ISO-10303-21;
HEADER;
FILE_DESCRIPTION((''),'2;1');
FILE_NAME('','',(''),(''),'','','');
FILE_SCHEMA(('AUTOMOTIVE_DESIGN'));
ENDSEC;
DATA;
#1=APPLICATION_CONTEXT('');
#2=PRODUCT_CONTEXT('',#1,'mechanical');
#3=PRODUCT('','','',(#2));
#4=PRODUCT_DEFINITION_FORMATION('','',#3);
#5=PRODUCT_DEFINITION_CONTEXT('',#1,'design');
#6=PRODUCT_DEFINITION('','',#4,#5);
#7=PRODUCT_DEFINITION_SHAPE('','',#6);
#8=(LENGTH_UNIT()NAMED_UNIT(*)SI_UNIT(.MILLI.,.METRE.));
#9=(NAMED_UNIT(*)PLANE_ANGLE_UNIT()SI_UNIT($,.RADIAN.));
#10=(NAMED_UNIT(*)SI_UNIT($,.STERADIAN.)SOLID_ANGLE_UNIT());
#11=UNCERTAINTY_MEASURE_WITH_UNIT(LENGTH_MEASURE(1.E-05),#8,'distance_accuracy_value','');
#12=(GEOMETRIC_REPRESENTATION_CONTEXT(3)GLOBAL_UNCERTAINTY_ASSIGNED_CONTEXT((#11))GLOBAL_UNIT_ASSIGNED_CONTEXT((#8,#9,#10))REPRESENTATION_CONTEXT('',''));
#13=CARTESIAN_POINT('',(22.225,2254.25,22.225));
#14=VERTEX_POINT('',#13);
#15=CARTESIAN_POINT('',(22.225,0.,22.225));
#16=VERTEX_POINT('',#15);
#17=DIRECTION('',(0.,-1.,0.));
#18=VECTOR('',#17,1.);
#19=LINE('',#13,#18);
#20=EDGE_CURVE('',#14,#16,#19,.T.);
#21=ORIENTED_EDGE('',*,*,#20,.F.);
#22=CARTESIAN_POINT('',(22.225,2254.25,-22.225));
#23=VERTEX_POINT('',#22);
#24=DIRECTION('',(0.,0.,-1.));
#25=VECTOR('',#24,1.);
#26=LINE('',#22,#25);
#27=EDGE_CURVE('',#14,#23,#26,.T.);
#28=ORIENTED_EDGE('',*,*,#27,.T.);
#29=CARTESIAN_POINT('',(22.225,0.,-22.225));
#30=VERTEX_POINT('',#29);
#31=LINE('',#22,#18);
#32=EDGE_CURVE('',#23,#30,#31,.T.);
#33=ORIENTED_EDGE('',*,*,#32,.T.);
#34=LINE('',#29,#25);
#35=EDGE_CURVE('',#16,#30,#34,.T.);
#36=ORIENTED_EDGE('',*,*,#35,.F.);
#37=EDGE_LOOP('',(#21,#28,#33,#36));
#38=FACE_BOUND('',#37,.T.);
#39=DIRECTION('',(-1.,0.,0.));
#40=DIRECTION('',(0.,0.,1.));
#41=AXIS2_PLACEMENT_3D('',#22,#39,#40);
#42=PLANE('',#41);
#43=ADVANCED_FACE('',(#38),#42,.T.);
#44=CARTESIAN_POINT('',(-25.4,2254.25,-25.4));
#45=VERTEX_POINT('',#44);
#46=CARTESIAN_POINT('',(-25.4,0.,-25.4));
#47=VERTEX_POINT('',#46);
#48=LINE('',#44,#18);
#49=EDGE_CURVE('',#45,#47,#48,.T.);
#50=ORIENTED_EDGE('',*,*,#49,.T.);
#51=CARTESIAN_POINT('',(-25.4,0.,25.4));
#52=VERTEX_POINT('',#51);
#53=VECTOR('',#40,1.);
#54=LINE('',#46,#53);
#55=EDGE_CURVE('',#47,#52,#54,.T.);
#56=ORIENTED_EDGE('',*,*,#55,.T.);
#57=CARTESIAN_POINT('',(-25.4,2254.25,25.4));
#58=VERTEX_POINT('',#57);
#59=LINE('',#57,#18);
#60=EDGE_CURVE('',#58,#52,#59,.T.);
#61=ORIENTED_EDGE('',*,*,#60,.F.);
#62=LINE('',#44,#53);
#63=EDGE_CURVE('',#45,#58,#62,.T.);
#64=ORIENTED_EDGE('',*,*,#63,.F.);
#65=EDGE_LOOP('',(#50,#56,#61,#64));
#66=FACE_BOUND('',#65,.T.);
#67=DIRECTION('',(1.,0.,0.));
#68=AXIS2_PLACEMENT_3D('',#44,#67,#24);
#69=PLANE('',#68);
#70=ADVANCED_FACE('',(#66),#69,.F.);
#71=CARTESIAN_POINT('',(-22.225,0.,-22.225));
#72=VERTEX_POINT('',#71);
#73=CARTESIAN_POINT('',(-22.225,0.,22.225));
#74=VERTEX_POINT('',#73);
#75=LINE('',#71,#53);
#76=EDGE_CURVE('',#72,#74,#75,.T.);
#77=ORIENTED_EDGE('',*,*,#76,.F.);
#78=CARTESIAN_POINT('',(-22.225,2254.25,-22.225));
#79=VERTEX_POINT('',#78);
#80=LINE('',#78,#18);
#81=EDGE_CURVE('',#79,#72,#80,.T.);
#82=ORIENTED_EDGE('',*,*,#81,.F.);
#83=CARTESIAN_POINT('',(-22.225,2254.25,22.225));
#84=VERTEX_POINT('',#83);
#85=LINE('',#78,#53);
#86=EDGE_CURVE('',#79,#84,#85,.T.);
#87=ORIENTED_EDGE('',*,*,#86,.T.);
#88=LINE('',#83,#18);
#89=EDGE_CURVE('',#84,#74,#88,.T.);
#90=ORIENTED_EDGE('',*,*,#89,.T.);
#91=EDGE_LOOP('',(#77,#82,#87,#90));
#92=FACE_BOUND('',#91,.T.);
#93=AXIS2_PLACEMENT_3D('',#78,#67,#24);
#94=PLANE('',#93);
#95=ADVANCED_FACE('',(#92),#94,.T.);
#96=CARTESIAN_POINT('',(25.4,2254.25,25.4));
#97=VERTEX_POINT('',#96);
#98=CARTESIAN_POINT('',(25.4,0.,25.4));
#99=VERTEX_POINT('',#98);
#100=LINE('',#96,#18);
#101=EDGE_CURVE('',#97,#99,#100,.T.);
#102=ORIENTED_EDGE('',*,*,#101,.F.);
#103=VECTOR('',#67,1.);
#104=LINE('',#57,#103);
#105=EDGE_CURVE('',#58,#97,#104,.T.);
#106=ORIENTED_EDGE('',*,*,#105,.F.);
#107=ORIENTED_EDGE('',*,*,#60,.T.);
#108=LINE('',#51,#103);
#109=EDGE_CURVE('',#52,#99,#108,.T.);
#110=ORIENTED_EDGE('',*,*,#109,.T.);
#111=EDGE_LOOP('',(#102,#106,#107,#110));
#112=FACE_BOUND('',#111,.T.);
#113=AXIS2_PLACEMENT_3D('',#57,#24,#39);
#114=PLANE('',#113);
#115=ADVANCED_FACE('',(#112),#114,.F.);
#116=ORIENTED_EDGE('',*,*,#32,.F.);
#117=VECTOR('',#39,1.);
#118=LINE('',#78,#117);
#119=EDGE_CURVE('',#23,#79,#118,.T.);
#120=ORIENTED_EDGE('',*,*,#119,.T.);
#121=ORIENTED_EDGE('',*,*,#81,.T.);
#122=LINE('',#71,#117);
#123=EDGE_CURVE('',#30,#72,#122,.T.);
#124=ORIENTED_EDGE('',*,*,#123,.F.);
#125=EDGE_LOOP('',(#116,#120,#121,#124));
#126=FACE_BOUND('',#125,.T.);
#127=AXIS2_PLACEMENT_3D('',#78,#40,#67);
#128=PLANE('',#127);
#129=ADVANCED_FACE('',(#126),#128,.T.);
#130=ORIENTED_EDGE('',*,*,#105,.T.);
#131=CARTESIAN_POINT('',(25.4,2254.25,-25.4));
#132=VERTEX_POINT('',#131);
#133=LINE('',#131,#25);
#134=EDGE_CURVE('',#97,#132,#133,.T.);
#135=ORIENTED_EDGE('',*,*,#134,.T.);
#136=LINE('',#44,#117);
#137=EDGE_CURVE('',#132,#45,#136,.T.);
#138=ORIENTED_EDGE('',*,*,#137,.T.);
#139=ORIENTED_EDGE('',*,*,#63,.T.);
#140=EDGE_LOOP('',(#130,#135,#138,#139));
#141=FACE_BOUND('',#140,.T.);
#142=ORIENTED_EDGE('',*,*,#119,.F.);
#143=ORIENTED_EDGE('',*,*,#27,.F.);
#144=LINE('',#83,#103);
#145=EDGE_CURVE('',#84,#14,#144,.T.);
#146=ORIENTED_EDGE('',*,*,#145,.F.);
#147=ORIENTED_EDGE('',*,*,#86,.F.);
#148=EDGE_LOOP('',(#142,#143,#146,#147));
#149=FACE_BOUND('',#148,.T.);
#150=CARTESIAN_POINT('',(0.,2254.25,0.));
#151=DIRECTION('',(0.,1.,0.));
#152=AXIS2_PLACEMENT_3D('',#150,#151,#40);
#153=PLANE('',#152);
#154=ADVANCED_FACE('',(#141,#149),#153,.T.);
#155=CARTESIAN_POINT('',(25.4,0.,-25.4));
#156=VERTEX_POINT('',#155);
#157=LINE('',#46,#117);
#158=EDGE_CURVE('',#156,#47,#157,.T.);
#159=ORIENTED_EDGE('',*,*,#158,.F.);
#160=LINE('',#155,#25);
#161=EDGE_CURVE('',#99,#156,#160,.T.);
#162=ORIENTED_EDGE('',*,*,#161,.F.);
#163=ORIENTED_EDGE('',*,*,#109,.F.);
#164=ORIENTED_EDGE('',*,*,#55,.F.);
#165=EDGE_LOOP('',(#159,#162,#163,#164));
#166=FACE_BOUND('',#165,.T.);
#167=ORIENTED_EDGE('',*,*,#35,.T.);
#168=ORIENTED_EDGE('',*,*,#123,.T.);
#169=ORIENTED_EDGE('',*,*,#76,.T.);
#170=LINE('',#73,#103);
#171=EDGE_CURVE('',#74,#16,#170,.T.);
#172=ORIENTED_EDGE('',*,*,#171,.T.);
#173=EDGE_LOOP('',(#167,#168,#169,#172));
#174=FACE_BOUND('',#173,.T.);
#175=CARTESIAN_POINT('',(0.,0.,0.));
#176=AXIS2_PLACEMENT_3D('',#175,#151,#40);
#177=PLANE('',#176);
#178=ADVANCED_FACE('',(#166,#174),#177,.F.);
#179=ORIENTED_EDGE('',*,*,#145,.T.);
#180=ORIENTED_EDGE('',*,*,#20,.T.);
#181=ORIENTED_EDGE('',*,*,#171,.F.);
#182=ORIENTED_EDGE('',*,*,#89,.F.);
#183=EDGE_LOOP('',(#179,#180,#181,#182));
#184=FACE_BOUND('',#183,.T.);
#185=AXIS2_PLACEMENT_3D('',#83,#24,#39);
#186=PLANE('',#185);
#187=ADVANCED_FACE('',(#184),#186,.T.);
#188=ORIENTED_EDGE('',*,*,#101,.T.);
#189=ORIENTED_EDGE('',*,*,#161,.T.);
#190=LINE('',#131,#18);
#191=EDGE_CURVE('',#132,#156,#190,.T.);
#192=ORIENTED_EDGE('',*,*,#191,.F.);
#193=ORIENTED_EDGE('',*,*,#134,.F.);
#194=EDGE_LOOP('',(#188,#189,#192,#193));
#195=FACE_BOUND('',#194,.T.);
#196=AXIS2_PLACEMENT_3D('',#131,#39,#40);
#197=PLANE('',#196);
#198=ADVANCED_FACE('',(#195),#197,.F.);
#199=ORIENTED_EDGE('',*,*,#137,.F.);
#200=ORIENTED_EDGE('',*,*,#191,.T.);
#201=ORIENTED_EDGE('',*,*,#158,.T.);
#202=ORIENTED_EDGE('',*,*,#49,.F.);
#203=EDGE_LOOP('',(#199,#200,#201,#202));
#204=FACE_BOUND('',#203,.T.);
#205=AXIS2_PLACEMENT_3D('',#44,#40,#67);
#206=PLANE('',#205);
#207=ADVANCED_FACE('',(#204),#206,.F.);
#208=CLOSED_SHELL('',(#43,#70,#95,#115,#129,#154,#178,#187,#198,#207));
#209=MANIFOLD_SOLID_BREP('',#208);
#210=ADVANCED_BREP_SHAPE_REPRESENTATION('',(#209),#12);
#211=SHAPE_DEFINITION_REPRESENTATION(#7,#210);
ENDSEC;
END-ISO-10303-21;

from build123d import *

# Parameters (mm, degrees)
SKETCH1_W           = 50.8
SKETCH1_H           = 50.8
SKETCH1_W_2         = 44.45
SKETCH1_H_2         = 44.45
BOSS_EXTRUDE1_DEPTH = 2254.25


with BuildPart() as part:
    # Sketch1 → Boss-Extrude1 (new body)
    with BuildSketch(Plane(origin=(0, 0, 0), x_dir=(1, 0, 0), z_dir=(0, 1, 0))):
        Rectangle(SKETCH1_W, SKETCH1_H)
        Rectangle(SKETCH1_W_2, SKETCH1_H_2, mode=Mode.SUBTRACT)
    extrude(amount=BOSS_EXTRUDE1_DEPTH)


solid = part.part
